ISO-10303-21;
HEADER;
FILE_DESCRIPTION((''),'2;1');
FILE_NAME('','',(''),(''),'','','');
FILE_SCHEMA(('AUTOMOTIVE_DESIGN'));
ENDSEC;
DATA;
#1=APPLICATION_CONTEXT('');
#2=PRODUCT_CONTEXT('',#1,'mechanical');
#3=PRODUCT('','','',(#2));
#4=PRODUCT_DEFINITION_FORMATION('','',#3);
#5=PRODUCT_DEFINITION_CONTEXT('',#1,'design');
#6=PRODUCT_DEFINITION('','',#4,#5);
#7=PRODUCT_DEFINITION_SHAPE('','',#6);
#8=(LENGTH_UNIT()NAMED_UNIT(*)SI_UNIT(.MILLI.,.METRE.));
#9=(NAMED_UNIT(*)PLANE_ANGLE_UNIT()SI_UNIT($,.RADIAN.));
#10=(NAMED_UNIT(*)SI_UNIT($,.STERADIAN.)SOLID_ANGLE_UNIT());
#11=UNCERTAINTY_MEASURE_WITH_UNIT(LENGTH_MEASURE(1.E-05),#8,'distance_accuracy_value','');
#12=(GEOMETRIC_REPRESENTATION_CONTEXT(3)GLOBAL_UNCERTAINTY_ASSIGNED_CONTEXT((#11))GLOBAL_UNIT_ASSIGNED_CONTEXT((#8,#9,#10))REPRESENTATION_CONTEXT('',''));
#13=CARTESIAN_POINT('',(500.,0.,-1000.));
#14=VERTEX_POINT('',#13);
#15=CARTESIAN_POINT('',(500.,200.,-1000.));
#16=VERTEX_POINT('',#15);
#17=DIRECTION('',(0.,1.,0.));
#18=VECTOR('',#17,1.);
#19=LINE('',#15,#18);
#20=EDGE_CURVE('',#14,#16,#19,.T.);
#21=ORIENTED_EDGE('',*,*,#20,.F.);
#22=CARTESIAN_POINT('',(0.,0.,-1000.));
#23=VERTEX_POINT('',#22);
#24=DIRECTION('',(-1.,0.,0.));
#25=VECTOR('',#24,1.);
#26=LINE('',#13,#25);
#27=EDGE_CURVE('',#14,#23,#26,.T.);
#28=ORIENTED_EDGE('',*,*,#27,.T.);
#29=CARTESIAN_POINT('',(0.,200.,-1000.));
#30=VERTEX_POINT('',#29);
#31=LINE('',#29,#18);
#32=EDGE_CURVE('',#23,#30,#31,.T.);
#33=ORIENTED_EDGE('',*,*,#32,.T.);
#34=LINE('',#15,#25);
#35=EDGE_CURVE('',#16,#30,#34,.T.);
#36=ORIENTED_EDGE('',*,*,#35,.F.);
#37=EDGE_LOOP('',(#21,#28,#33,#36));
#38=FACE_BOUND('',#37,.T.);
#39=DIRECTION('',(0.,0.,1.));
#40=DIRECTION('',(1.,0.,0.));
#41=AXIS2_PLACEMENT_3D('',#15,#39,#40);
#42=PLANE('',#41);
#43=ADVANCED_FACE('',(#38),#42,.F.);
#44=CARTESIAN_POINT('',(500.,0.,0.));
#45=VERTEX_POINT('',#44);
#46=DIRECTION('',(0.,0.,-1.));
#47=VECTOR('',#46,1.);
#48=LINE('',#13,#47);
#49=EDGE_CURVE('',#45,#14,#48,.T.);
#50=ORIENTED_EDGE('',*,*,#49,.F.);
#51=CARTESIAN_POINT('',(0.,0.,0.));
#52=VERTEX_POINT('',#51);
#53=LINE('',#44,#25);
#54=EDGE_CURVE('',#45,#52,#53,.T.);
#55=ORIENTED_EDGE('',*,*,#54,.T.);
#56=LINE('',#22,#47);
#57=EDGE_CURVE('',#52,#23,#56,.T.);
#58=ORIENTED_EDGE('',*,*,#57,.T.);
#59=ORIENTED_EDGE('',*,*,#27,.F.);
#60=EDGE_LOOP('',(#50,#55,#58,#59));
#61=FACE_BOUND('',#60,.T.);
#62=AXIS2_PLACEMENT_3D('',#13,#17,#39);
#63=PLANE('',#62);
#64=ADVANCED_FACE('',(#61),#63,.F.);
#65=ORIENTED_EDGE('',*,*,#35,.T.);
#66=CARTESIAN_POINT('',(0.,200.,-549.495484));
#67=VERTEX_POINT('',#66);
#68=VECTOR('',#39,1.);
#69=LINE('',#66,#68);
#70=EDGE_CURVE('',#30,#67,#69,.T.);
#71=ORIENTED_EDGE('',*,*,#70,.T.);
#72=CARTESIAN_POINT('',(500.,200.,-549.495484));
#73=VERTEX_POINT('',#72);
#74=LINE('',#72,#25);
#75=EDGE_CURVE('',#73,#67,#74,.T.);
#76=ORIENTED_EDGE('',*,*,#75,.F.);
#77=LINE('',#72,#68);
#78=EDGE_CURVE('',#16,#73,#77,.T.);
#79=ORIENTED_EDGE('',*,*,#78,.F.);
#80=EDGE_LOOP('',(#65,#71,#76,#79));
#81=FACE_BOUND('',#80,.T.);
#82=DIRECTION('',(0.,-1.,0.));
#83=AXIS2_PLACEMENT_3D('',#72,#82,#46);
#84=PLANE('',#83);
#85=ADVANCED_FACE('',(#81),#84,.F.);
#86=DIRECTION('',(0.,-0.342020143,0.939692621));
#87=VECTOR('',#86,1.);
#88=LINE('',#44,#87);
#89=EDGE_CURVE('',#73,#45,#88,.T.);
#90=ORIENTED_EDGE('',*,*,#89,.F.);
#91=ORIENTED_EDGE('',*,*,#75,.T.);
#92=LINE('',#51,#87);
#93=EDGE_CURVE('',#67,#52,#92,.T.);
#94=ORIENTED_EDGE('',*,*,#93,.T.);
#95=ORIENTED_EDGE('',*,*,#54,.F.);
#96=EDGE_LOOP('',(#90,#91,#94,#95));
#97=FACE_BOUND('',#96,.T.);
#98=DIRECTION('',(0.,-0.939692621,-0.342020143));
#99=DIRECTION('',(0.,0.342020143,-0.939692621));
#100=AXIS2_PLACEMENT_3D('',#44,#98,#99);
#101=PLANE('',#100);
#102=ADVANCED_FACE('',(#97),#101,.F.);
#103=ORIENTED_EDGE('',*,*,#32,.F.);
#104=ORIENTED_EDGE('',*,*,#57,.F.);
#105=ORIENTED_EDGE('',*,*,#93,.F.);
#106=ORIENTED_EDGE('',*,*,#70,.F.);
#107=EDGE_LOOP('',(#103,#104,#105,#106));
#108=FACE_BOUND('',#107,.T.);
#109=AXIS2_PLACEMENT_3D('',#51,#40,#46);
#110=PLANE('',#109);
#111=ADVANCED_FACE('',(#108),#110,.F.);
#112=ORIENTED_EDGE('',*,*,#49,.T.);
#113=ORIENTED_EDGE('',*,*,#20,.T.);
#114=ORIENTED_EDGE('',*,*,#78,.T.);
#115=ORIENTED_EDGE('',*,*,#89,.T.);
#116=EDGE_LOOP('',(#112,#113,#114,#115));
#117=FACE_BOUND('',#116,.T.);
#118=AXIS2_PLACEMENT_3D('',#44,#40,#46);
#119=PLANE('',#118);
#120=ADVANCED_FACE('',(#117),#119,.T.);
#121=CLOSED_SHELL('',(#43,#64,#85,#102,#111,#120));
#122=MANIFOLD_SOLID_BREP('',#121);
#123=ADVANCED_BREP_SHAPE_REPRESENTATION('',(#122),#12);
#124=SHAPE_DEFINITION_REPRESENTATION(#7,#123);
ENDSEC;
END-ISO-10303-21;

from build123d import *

# Parameters (mm, degrees)
BOSS_EXTRUDE1_DEPTH = 500


with BuildPart() as part:
    # Sketch1 → Boss-Extrude1 (new body)
    with BuildSketch(Plane(origin=(0, 0, 0), x_dir=(0, 0, -1), z_dir=(1, 0, 0))):
        Polygon((0, 0), (549.495483891, 200), (1000, 200), (1000, 0), align=None)
    extrude(amount=BOSS_EXTRUDE1_DEPTH)


solid = part.part
